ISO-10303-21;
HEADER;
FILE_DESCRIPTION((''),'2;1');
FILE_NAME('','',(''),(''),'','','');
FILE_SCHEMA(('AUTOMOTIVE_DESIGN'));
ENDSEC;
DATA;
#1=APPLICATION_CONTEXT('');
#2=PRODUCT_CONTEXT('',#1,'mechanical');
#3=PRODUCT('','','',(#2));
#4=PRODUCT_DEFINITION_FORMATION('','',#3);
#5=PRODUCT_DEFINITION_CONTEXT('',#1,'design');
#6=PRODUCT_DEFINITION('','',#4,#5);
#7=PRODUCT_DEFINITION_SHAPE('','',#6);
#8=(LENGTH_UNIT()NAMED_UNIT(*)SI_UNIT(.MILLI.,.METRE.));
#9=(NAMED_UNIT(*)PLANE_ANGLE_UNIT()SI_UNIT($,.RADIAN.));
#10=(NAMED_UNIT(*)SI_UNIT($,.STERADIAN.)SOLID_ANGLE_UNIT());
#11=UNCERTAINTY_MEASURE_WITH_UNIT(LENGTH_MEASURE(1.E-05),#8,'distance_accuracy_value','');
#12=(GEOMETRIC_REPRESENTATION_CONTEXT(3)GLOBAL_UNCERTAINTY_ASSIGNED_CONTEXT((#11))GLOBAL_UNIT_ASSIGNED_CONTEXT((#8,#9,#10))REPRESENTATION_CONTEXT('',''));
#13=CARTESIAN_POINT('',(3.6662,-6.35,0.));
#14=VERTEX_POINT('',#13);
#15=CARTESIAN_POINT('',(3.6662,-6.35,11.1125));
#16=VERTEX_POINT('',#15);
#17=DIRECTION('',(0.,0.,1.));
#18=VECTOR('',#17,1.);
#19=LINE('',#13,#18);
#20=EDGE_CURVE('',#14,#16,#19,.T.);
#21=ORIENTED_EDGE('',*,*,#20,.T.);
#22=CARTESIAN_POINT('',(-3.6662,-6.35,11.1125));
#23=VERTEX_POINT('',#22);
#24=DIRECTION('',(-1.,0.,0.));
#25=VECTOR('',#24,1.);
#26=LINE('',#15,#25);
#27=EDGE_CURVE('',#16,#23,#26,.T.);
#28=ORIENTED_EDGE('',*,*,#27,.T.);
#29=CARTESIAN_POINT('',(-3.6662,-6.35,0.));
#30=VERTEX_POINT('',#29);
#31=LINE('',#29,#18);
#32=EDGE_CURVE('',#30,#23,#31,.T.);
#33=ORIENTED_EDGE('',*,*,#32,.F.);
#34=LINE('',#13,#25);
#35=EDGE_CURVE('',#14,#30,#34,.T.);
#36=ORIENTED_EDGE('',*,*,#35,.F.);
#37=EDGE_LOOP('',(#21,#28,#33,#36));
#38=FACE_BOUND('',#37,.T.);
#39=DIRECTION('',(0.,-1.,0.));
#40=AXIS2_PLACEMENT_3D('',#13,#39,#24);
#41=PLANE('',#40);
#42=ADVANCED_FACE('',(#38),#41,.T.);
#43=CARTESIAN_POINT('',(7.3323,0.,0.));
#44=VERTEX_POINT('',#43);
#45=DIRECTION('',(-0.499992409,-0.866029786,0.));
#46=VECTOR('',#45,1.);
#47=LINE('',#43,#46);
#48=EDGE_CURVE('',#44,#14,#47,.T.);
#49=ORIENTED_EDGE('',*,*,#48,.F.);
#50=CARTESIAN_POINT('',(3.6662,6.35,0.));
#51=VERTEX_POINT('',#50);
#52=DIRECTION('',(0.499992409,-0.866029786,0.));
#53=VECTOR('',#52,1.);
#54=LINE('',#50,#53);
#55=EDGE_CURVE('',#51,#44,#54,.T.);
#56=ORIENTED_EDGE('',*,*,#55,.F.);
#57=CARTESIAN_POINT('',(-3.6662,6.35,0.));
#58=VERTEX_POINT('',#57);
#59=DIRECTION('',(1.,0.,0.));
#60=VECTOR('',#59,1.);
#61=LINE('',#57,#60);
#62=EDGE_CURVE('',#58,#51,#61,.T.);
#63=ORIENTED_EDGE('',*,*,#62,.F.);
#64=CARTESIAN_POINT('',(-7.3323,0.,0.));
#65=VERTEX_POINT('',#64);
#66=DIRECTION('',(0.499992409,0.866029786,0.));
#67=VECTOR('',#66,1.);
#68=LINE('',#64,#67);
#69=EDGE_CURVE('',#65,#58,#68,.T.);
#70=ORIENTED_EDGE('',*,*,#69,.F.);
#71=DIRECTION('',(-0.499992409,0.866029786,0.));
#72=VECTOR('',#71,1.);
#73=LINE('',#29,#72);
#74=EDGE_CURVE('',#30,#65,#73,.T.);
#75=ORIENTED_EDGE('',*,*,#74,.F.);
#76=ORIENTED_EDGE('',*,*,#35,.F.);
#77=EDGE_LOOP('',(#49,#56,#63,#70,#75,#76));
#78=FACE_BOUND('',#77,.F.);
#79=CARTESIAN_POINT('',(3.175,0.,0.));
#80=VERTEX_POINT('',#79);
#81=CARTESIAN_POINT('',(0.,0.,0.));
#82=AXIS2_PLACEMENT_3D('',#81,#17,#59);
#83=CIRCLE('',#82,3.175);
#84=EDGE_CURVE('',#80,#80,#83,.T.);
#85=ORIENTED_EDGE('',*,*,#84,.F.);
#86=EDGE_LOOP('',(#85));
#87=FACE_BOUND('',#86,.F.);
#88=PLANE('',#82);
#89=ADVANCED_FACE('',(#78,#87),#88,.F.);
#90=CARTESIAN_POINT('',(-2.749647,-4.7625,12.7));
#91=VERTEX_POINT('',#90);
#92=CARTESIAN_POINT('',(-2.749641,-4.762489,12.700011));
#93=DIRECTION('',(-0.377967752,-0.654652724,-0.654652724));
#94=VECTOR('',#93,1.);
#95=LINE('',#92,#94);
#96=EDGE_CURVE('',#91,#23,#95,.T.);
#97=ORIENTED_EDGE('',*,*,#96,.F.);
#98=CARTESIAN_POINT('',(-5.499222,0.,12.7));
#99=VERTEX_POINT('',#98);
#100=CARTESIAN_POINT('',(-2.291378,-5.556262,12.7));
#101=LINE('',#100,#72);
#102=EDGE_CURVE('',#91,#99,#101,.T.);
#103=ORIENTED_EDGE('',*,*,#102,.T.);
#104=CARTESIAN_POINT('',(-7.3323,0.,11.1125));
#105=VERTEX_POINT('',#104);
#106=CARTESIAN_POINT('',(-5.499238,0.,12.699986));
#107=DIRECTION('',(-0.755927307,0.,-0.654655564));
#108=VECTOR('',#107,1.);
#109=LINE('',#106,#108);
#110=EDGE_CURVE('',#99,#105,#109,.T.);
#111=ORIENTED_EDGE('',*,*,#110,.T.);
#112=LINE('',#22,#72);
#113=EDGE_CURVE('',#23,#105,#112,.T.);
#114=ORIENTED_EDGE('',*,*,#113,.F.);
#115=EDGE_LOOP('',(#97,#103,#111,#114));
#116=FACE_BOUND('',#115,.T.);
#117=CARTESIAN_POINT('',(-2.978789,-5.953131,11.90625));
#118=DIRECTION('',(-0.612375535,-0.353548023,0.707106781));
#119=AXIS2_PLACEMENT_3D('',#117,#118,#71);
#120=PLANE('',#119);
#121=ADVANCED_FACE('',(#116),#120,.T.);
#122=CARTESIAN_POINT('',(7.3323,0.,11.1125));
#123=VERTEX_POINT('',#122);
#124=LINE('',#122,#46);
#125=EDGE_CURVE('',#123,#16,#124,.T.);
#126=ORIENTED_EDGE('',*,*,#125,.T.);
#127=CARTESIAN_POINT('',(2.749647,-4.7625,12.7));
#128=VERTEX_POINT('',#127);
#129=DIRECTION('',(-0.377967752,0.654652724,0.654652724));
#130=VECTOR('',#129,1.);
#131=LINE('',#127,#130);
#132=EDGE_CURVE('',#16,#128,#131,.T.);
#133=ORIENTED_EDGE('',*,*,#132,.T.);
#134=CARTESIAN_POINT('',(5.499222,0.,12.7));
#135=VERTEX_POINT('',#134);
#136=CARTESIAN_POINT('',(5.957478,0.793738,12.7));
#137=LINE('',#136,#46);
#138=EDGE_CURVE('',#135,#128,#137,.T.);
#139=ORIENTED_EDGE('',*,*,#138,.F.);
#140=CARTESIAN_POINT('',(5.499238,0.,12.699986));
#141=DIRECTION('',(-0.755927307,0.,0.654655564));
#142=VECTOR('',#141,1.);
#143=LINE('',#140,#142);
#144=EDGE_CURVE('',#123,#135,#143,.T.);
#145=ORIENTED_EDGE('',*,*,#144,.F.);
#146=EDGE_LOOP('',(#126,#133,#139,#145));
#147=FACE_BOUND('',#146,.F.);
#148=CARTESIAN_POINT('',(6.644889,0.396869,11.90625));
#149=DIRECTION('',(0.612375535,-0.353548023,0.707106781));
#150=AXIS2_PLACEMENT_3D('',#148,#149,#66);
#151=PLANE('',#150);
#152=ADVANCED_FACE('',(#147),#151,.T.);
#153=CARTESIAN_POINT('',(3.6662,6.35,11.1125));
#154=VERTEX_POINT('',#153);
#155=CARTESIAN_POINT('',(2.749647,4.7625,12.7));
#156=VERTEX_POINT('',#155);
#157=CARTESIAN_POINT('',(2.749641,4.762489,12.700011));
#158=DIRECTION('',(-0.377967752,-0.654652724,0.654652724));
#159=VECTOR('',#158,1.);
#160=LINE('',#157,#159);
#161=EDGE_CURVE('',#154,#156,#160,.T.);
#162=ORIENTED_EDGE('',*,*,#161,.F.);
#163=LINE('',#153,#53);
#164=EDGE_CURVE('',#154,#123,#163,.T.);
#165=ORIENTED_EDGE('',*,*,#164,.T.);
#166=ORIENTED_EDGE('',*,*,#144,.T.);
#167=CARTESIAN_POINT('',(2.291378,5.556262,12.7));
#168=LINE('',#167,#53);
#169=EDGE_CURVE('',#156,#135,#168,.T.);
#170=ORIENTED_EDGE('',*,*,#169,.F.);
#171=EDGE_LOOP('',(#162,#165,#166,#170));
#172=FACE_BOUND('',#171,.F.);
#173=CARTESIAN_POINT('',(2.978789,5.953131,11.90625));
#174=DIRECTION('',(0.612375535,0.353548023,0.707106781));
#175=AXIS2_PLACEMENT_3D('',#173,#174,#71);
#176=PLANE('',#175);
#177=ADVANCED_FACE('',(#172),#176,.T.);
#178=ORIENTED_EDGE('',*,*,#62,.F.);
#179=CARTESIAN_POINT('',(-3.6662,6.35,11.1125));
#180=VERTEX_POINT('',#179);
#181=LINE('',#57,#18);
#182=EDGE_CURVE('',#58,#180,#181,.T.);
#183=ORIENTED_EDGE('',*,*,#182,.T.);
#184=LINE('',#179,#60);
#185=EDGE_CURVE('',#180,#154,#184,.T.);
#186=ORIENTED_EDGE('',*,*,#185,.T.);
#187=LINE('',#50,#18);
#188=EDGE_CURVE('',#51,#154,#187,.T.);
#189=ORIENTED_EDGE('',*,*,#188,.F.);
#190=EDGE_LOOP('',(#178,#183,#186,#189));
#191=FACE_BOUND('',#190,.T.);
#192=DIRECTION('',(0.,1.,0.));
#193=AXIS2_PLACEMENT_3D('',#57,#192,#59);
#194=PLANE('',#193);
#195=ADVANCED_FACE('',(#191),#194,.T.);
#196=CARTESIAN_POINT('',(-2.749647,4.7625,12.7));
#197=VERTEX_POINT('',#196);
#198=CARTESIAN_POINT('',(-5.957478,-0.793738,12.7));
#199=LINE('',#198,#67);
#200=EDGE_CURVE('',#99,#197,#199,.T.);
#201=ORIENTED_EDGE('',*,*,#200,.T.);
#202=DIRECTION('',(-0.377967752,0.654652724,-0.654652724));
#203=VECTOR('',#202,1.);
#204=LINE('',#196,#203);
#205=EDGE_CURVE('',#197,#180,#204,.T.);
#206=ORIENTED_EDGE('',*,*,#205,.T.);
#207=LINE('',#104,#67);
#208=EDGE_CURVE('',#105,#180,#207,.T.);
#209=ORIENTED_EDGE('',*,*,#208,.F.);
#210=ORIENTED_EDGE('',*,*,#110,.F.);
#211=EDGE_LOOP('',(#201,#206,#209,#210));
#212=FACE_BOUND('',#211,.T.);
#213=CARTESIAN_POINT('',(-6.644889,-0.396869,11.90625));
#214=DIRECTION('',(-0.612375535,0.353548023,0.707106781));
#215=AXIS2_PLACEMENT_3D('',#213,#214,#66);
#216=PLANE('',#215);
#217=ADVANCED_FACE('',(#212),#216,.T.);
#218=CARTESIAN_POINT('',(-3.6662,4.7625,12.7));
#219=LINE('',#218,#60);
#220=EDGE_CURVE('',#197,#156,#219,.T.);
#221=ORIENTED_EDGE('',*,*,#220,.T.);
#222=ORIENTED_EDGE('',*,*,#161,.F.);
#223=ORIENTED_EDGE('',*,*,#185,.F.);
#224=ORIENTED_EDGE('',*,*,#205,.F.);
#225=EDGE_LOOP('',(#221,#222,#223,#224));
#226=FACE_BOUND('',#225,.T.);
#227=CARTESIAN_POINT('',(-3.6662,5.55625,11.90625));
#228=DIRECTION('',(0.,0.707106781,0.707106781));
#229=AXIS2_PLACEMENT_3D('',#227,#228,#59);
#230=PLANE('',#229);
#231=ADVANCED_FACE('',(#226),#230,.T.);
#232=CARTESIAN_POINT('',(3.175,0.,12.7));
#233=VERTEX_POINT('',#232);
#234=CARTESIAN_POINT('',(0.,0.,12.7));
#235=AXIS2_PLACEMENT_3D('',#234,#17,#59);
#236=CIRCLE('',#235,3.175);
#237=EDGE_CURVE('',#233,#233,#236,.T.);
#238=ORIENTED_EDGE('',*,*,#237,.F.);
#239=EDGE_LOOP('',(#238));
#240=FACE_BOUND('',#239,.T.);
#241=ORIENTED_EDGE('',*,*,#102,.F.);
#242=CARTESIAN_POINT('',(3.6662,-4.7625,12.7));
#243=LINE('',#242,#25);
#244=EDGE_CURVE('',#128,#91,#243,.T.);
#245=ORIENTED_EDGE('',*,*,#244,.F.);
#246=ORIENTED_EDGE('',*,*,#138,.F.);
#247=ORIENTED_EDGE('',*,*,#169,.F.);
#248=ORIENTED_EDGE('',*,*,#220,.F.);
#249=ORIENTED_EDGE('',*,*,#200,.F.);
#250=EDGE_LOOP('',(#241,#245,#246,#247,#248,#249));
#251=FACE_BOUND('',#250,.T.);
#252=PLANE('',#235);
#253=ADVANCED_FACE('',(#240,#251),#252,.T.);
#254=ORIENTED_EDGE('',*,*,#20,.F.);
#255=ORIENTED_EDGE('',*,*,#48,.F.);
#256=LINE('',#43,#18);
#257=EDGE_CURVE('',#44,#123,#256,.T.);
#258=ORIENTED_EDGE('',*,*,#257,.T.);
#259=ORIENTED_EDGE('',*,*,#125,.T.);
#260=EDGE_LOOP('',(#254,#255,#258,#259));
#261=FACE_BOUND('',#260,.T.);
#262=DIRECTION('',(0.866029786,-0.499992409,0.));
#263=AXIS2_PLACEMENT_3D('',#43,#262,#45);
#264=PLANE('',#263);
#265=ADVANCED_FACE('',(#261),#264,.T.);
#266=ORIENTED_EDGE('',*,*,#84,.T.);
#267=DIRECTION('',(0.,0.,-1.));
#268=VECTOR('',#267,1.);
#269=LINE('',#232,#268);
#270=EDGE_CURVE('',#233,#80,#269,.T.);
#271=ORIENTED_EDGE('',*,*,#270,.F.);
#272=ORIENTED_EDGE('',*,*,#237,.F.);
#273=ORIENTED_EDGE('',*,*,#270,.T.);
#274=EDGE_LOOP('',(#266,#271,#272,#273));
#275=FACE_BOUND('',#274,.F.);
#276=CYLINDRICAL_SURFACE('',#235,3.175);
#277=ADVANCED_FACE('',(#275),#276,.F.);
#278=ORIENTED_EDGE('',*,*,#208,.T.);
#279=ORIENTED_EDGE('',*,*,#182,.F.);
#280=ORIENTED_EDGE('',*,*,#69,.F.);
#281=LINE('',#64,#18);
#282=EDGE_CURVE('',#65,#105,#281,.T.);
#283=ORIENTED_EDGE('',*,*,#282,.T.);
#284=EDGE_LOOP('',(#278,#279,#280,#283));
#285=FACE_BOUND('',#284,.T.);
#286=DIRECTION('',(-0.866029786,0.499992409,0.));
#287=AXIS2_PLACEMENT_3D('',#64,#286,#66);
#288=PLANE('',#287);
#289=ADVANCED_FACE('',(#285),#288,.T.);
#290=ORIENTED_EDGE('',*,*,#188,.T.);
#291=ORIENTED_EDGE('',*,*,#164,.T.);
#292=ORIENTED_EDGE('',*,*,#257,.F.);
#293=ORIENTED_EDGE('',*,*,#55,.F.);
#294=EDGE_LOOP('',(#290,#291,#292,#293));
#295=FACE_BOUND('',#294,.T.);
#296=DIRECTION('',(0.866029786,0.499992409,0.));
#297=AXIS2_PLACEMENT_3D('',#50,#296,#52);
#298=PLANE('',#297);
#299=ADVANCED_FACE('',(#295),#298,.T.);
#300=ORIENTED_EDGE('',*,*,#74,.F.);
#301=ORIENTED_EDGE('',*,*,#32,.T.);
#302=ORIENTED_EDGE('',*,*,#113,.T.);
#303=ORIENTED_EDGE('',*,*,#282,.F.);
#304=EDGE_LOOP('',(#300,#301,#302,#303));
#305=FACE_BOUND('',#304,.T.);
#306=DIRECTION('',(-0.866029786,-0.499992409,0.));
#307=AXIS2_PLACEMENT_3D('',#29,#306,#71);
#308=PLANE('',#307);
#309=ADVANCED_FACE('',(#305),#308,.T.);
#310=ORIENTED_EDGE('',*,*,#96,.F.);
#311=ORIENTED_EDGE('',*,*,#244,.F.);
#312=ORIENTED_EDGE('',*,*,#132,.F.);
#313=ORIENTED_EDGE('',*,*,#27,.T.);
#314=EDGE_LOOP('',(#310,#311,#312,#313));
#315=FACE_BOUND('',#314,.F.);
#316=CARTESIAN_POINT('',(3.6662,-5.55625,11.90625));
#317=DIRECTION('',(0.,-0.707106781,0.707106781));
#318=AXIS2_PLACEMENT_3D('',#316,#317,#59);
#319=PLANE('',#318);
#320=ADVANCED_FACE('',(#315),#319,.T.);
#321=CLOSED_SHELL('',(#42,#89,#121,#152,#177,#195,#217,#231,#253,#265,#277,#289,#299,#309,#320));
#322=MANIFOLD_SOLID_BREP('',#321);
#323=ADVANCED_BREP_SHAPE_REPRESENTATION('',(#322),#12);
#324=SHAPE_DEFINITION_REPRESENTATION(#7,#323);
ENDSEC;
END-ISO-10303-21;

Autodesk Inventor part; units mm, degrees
ref_plane "YZ Plane" through (0, 0, 0) normal (1, 0, 0) x (0, 1, 0)
ref_plane "XZ Plane" through (0, 0, 0) normal (0, 1, 0) x (-1, 0, 0)
ref_plane "XY Plane" through (0, 0, 0) normal (0, 0, 1) x (1, 0, 0)
sketch "Sketch1" plane through (0, 0, 0) normal (0, 0, 1) x (1, 0, 0)
  line L0 (7.3323, 0) -> (3.6662, -6.35)
  line L1 (3.6662, -6.35) -> (-3.6662, -6.35)
  line L2 (-3.6662, -6.35) -> (-7.3323, 0)
  line L3 (-7.3323, 0) -> (-3.6662, 6.35)
  line L4 (-3.6662, 6.35) -> (3.6662, 6.35)
  line L5 (3.6662, 6.35) -> (7.3323, 0)
  point P0 (0, 0)
  point P1 (0, 0)
  dimension "d0" = 12.7
extrude "Extrusion1" add sketch "Sketch1" along normal blind 12.7
sketch "Sketch2" plane through (0, 0, 12.7) normal (0, 0, 1) x (1, 0, 0)
  circle A0 centre (0, 0) radius 3.175
  dimension "d3" = 6.35
extrude "Extrusion2" cut sketch "Sketch2" against normal blind 12.7
chamfer "Chamfer1" distance 1.5875 angle 45 6 edges at (5.4993, 3.175, 12.7) (0, 6.35, 12.7) (-5.4993, 3.175, 12.7) (-5.4993, -3.175, 12.7) (0, -6.35, 12.7) (5.4993, -3.175, 12.7)
properties part number "Bevel Hex Shaft V2"
